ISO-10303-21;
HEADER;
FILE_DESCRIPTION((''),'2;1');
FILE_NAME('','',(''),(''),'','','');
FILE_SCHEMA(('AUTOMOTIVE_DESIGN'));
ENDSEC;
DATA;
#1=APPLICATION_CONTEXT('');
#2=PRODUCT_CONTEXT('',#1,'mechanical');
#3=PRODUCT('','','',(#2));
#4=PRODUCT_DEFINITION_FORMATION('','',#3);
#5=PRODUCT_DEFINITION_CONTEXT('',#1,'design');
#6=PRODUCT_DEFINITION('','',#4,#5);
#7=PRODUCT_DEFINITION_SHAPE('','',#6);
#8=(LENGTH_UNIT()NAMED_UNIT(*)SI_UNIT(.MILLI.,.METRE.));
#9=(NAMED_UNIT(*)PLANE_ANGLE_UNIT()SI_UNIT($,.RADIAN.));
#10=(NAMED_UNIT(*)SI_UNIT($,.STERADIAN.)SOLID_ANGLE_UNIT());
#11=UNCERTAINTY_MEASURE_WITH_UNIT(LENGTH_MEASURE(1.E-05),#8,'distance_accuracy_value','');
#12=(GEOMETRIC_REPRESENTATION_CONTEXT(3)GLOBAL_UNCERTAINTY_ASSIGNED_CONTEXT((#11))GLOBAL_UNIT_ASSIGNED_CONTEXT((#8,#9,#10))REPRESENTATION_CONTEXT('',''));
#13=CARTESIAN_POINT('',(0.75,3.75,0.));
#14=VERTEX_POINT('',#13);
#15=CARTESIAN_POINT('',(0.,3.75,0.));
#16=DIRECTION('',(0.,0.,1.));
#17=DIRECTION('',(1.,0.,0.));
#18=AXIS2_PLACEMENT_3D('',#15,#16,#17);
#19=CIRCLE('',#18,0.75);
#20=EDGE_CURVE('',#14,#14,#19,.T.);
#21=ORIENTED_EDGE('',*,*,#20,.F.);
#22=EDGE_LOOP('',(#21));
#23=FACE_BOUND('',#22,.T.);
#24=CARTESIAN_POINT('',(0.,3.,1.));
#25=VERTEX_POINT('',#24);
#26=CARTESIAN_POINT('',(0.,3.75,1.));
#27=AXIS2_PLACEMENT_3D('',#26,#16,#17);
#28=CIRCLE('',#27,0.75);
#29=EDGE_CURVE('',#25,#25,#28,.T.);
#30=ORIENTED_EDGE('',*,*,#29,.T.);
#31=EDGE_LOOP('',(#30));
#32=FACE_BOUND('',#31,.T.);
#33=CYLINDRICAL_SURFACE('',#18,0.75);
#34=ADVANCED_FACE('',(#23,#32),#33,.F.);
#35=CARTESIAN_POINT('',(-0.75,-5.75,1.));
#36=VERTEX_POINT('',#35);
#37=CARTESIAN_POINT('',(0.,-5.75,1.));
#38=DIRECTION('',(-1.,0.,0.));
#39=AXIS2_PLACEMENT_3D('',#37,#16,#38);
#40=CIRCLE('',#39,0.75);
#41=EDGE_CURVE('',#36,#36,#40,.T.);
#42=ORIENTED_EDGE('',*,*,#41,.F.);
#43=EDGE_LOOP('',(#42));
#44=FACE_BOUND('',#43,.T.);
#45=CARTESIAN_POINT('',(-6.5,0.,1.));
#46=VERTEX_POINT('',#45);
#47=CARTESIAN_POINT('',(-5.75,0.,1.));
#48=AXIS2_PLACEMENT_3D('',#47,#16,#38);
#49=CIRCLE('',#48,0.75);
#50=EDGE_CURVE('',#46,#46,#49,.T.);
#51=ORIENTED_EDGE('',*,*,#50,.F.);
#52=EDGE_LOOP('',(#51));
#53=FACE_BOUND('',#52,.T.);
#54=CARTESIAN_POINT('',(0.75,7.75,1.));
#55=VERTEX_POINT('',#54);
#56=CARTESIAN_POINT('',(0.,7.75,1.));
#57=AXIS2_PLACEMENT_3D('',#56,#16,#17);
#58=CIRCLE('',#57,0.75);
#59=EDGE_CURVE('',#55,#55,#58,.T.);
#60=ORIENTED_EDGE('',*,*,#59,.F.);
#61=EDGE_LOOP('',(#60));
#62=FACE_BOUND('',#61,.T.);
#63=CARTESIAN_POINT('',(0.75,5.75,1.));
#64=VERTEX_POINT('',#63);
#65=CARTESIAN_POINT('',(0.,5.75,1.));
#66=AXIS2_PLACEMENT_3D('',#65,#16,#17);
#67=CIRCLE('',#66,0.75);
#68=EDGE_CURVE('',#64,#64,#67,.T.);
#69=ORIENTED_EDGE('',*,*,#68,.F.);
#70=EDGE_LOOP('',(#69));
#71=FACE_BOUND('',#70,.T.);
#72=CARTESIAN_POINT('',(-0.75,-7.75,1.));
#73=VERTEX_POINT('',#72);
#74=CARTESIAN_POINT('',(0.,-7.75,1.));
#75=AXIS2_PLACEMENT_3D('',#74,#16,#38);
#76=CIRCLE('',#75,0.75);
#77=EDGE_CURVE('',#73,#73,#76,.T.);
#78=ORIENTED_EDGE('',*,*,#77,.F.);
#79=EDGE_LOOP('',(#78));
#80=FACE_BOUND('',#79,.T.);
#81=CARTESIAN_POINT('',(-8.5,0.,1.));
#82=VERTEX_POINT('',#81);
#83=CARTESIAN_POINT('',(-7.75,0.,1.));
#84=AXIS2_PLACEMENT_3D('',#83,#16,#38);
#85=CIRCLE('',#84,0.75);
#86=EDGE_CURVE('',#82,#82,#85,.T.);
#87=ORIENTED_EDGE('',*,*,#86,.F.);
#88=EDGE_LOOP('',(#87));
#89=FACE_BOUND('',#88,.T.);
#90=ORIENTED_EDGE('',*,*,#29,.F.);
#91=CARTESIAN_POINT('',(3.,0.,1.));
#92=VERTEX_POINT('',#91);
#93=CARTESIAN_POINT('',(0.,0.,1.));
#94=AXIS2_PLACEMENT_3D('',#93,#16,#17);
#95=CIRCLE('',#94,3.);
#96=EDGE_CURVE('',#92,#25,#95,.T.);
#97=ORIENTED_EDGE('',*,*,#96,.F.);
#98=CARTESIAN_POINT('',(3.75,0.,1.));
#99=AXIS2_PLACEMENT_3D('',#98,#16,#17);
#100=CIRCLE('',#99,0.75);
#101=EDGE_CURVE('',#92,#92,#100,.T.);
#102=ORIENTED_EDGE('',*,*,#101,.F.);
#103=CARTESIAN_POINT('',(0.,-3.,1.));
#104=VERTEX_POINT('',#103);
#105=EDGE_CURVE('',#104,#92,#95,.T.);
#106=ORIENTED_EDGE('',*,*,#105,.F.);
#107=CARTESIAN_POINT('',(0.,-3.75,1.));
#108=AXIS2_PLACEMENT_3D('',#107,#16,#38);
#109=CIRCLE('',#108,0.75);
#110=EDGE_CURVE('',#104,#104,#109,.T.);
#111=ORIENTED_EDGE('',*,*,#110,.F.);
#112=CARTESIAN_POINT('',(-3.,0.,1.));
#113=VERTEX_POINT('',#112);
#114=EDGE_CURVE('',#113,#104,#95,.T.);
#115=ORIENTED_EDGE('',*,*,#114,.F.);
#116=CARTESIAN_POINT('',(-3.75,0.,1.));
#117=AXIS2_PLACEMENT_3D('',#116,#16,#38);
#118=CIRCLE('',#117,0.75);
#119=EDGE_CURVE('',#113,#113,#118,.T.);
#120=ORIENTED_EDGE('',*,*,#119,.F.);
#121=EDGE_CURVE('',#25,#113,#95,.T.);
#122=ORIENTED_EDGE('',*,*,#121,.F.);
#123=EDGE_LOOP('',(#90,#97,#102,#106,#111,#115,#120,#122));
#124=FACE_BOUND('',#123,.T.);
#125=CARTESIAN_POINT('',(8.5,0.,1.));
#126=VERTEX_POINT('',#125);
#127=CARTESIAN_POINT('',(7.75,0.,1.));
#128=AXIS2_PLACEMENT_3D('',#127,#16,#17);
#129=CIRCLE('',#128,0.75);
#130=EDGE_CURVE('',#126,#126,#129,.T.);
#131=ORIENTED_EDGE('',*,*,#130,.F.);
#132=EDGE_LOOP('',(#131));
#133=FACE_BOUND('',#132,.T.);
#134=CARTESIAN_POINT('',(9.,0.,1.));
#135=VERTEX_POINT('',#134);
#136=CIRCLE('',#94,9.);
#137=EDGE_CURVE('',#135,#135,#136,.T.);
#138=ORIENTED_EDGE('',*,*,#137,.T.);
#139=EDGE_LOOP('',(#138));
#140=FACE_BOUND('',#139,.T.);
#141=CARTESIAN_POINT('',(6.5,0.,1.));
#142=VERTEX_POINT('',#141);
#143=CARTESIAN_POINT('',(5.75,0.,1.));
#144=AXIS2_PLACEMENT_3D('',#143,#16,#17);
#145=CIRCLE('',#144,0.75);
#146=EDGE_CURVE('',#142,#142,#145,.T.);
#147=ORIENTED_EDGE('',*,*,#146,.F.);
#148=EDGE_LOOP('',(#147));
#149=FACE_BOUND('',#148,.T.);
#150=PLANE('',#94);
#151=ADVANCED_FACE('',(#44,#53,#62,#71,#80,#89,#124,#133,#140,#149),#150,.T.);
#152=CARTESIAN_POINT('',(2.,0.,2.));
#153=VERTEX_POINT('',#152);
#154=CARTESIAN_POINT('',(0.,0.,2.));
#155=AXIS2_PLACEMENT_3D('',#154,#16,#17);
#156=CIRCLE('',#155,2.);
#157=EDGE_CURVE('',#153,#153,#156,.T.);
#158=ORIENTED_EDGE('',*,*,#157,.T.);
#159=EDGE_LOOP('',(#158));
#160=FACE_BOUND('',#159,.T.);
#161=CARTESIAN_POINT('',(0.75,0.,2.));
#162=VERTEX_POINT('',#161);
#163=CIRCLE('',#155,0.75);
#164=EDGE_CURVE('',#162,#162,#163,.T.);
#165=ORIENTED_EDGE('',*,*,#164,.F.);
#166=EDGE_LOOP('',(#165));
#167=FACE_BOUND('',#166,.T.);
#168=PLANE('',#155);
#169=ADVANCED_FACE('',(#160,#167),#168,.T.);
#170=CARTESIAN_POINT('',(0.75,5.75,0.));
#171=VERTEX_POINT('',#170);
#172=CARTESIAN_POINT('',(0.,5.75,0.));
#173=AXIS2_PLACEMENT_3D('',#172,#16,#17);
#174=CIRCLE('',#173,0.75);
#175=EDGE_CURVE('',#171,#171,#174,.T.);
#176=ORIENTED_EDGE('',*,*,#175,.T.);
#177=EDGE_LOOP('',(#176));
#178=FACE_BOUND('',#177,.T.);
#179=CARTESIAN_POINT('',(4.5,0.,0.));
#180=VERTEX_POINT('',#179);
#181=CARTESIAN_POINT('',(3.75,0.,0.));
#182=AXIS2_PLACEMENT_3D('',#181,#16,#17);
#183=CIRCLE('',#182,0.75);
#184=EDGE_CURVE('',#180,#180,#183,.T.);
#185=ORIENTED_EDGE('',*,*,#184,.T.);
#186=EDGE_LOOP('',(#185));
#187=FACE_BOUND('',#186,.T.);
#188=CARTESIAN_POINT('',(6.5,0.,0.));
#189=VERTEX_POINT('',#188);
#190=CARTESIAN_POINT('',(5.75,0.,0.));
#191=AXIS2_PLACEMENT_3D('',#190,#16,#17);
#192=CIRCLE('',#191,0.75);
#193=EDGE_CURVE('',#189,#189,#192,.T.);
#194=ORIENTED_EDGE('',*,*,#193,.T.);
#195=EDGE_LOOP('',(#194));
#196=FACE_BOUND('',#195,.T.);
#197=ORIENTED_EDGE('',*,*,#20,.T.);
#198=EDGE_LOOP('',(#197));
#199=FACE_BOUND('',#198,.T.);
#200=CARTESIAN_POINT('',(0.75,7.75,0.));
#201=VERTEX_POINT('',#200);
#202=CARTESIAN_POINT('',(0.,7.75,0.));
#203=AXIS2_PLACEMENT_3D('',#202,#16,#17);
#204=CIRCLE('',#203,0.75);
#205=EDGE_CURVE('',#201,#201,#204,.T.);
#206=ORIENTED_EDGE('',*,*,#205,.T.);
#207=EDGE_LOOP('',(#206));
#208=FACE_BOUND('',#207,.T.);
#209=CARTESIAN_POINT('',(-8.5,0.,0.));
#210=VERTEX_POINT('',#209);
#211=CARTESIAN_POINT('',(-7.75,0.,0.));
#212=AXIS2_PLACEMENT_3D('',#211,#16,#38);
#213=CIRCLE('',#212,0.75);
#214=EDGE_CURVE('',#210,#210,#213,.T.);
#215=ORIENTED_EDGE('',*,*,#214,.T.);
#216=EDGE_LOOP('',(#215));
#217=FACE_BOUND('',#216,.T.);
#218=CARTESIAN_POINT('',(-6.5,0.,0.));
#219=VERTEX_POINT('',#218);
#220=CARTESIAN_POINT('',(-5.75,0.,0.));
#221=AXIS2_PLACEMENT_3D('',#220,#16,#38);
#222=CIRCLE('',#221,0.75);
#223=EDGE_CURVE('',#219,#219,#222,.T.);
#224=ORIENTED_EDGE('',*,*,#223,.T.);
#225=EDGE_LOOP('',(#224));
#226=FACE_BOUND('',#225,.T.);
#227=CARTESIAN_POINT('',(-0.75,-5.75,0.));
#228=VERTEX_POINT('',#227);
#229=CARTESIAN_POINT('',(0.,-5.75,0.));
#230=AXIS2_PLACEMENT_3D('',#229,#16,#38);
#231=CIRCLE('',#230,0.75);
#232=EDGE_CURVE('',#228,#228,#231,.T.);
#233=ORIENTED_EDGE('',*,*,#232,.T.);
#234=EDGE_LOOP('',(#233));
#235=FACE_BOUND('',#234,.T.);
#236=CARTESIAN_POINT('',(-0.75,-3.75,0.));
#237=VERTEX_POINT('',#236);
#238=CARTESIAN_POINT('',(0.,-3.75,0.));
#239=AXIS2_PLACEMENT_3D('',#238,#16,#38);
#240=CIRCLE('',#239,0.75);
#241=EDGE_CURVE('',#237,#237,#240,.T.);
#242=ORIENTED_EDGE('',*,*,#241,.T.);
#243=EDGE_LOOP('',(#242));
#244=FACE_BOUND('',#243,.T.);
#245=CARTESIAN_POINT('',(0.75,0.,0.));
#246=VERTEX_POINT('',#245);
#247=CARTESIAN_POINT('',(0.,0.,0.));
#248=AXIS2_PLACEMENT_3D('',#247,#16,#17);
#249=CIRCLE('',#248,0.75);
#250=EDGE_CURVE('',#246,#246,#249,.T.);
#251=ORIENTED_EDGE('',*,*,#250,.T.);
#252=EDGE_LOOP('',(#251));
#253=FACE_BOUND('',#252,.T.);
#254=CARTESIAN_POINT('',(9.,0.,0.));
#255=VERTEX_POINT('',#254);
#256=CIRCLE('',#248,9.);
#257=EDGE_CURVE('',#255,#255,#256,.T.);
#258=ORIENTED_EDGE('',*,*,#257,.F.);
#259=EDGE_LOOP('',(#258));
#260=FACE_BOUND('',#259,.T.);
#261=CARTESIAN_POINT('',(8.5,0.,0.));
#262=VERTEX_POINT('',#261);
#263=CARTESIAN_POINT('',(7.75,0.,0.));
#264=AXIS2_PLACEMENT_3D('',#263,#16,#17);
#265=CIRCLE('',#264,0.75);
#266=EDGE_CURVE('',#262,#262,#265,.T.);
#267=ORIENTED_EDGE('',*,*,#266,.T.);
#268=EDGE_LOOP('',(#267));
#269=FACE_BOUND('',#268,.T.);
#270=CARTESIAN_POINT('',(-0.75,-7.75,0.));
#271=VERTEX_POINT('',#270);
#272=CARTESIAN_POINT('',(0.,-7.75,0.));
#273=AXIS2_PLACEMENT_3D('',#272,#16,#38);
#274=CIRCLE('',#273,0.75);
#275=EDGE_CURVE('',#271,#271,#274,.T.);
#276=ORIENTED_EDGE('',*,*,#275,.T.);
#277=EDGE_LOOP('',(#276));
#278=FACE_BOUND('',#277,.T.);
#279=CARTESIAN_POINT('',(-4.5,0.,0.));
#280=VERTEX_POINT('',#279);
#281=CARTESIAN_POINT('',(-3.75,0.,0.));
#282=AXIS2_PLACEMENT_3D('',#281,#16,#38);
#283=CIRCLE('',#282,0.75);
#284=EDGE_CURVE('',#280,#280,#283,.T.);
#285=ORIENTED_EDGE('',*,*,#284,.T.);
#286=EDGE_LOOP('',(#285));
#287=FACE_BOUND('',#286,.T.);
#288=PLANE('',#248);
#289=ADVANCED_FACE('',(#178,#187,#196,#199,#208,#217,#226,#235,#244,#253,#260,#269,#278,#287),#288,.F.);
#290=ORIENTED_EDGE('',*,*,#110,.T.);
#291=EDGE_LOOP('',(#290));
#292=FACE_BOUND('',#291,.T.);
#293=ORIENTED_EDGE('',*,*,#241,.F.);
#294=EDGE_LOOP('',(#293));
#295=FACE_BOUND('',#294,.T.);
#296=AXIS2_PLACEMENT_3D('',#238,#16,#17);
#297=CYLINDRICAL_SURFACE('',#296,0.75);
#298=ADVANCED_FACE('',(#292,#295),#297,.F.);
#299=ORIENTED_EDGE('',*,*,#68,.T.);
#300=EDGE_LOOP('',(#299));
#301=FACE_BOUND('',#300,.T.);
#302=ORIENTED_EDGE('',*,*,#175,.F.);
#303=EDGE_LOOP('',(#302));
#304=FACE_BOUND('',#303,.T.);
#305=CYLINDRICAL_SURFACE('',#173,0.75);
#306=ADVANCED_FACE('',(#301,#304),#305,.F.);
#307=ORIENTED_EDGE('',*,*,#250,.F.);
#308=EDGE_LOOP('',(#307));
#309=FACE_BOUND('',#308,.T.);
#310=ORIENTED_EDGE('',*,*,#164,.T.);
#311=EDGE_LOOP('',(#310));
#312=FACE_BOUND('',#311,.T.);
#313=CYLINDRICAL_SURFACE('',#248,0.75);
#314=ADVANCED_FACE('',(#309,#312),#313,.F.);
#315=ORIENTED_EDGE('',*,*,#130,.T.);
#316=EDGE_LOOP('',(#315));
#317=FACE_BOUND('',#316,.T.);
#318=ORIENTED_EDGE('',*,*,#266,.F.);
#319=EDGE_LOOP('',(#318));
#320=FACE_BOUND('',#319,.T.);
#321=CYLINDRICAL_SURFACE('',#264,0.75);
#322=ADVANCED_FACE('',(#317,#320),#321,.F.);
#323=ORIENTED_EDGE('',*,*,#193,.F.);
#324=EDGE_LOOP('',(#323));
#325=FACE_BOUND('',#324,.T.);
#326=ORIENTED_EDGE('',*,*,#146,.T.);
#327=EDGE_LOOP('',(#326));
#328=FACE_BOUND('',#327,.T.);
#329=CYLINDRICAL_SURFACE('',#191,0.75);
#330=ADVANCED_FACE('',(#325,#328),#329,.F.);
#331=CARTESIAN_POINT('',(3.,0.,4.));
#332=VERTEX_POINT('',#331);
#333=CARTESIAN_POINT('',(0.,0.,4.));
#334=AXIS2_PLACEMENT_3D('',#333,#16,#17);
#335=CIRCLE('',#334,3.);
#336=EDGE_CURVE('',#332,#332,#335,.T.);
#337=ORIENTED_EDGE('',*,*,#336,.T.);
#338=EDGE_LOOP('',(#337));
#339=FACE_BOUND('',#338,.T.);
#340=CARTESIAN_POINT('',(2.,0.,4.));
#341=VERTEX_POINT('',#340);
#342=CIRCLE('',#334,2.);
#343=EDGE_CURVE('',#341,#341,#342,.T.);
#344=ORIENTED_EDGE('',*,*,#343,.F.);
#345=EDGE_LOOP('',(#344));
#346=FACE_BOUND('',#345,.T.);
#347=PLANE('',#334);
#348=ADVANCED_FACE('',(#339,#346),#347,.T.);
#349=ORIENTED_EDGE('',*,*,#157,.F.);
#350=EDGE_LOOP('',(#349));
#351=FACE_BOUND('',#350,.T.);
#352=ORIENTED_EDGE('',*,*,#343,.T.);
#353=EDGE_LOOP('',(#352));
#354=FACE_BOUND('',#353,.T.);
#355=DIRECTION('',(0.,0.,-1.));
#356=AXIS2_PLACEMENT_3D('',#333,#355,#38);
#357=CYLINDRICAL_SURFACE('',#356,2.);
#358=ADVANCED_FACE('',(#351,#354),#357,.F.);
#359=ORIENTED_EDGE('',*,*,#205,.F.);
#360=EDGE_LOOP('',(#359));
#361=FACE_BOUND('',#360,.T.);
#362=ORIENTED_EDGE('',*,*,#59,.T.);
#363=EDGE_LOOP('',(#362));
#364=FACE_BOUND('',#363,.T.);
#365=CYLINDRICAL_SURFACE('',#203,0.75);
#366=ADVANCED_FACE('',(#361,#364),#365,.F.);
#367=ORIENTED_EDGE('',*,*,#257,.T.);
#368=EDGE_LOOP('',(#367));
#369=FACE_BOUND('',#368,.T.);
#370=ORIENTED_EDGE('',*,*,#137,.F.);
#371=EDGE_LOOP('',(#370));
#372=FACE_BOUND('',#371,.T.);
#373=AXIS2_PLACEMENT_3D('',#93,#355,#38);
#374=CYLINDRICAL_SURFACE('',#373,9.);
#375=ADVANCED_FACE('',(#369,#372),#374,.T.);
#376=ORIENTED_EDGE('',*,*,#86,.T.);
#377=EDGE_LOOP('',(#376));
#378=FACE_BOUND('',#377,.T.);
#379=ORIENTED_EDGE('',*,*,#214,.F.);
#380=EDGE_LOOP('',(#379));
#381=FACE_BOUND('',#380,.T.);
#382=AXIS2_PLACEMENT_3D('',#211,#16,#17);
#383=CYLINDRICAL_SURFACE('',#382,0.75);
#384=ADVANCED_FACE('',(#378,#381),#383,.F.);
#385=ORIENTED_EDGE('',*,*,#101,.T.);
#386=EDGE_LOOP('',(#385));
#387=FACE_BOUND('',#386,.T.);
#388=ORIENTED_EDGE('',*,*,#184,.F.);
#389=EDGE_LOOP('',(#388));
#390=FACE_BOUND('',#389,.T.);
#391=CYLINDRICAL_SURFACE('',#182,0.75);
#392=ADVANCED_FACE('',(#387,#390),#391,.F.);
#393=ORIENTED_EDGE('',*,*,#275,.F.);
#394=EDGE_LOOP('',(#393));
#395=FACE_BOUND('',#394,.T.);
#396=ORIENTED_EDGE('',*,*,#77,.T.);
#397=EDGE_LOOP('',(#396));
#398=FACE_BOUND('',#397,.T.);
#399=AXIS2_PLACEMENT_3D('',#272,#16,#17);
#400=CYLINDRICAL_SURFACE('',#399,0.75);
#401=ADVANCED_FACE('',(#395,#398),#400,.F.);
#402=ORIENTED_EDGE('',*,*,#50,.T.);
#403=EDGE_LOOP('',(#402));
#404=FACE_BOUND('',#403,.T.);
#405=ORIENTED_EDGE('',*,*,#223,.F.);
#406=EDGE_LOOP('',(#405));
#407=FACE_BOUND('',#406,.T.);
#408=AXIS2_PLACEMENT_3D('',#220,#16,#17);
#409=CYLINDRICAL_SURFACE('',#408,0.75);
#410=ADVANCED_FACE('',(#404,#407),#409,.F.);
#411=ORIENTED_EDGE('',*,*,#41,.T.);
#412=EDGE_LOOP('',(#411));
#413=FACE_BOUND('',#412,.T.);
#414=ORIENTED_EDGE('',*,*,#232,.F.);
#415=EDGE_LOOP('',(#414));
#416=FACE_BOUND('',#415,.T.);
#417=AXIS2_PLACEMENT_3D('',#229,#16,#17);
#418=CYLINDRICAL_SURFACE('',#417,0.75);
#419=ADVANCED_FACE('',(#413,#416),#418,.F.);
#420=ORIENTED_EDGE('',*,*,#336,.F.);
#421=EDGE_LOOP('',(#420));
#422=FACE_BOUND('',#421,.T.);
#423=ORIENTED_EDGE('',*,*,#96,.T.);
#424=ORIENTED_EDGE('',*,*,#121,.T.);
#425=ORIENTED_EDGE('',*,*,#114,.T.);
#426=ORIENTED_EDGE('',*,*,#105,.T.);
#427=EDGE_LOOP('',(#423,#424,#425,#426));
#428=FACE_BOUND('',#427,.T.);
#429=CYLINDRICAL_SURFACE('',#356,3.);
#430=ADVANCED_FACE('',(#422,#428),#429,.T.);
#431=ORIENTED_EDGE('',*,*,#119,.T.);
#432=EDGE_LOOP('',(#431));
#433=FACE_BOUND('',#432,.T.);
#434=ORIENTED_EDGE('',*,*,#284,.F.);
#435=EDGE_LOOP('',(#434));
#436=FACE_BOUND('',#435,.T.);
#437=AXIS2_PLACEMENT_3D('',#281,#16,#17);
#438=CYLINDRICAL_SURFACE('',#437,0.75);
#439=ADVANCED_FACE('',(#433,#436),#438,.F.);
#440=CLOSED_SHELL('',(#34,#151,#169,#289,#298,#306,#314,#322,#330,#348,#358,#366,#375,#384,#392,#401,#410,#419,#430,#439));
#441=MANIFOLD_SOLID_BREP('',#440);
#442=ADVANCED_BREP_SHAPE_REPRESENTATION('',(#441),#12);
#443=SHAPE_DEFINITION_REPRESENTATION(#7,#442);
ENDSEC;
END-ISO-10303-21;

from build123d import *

# Parameters (mm, degrees)
SKETCH1_R           = 9
SKETCH1_R_2         = 3
BOSS_EXTRUDE1_DEPTH = 1
SKETCH1_3_R         = 3
SKETCH1_3_R_2       = 2
BOSS_EXTRUDE2_DEPTH = 4
SKETCH1_4_R         = 2
BOSS_EXTRUDE3_DEPTH = 2
SKETCH2_R           = 0.75
CUT_EXTRUDE1_DEPTH  = 2
SKETCH3_R           = 0.75
CUT_EXTRUDE2_DEPTH  = 14.076696831


with BuildPart() as part:
    # Sketch1 → Boss-Extrude1 (new body)
    with BuildSketch(Plane.XY):
        Circle(SKETCH1_R)
        Circle(SKETCH1_R_2, mode=Mode.SUBTRACT)
    extrude(amount=BOSS_EXTRUDE1_DEPTH)

    # Sketch1<3> → Boss-Extrude2 (add)
    with BuildSketch(Plane.XY):
        Circle(SKETCH1_3_R)
        Circle(SKETCH1_3_R_2, mode=Mode.SUBTRACT)
    extrude(amount=BOSS_EXTRUDE2_DEPTH)

    # Sketch1<4> → Boss-Extrude3 (add)
    with BuildSketch(Plane.XY):
        Circle(SKETCH1_4_R)
    extrude(amount=BOSS_EXTRUDE3_DEPTH)

    # Sketch2 → Cut-Extrude1 (cut)
    with BuildSketch(Plane.XY.offset(2)):
        Circle(SKETCH2_R)
    extrude(amount=-CUT_EXTRUDE1_DEPTH, mode=Mode.SUBTRACT)

    # Sketch3 → Cut-Extrude2 (cut, through all)
    with BuildSketch(Plane.XY.offset(1)):
        with Locations((3.75, 0)):
            Circle(SKETCH3_R)
        with Locations((5.75, 0)):
            Circle(SKETCH3_R)
        with Locations((7.75, 0)):
            Circle(SKETCH3_R)
        with Locations((-3.75, 0)):
            Circle(SKETCH3_R)
        with Locations((-5.75, 0)):
            Circle(SKETCH3_R)
        with Locations((-7.75, 0)):
            Circle(SKETCH3_R)
        with Locations((0, 3.75)):
            Circle(SKETCH3_R)
        with Locations((0, 5.75)):
            Circle(SKETCH3_R)
        with Locations((0, 7.75)):
            Circle(SKETCH3_R)
        with Locations((0, -3.75)):
            Circle(SKETCH3_R)
        with Locations((0, -5.75)):
            Circle(SKETCH3_R)
        with Locations((0, -7.75)):
            Circle(SKETCH3_R)
    extrude(amount=-CUT_EXTRUDE2_DEPTH, mode=Mode.SUBTRACT)


solid = part.part
